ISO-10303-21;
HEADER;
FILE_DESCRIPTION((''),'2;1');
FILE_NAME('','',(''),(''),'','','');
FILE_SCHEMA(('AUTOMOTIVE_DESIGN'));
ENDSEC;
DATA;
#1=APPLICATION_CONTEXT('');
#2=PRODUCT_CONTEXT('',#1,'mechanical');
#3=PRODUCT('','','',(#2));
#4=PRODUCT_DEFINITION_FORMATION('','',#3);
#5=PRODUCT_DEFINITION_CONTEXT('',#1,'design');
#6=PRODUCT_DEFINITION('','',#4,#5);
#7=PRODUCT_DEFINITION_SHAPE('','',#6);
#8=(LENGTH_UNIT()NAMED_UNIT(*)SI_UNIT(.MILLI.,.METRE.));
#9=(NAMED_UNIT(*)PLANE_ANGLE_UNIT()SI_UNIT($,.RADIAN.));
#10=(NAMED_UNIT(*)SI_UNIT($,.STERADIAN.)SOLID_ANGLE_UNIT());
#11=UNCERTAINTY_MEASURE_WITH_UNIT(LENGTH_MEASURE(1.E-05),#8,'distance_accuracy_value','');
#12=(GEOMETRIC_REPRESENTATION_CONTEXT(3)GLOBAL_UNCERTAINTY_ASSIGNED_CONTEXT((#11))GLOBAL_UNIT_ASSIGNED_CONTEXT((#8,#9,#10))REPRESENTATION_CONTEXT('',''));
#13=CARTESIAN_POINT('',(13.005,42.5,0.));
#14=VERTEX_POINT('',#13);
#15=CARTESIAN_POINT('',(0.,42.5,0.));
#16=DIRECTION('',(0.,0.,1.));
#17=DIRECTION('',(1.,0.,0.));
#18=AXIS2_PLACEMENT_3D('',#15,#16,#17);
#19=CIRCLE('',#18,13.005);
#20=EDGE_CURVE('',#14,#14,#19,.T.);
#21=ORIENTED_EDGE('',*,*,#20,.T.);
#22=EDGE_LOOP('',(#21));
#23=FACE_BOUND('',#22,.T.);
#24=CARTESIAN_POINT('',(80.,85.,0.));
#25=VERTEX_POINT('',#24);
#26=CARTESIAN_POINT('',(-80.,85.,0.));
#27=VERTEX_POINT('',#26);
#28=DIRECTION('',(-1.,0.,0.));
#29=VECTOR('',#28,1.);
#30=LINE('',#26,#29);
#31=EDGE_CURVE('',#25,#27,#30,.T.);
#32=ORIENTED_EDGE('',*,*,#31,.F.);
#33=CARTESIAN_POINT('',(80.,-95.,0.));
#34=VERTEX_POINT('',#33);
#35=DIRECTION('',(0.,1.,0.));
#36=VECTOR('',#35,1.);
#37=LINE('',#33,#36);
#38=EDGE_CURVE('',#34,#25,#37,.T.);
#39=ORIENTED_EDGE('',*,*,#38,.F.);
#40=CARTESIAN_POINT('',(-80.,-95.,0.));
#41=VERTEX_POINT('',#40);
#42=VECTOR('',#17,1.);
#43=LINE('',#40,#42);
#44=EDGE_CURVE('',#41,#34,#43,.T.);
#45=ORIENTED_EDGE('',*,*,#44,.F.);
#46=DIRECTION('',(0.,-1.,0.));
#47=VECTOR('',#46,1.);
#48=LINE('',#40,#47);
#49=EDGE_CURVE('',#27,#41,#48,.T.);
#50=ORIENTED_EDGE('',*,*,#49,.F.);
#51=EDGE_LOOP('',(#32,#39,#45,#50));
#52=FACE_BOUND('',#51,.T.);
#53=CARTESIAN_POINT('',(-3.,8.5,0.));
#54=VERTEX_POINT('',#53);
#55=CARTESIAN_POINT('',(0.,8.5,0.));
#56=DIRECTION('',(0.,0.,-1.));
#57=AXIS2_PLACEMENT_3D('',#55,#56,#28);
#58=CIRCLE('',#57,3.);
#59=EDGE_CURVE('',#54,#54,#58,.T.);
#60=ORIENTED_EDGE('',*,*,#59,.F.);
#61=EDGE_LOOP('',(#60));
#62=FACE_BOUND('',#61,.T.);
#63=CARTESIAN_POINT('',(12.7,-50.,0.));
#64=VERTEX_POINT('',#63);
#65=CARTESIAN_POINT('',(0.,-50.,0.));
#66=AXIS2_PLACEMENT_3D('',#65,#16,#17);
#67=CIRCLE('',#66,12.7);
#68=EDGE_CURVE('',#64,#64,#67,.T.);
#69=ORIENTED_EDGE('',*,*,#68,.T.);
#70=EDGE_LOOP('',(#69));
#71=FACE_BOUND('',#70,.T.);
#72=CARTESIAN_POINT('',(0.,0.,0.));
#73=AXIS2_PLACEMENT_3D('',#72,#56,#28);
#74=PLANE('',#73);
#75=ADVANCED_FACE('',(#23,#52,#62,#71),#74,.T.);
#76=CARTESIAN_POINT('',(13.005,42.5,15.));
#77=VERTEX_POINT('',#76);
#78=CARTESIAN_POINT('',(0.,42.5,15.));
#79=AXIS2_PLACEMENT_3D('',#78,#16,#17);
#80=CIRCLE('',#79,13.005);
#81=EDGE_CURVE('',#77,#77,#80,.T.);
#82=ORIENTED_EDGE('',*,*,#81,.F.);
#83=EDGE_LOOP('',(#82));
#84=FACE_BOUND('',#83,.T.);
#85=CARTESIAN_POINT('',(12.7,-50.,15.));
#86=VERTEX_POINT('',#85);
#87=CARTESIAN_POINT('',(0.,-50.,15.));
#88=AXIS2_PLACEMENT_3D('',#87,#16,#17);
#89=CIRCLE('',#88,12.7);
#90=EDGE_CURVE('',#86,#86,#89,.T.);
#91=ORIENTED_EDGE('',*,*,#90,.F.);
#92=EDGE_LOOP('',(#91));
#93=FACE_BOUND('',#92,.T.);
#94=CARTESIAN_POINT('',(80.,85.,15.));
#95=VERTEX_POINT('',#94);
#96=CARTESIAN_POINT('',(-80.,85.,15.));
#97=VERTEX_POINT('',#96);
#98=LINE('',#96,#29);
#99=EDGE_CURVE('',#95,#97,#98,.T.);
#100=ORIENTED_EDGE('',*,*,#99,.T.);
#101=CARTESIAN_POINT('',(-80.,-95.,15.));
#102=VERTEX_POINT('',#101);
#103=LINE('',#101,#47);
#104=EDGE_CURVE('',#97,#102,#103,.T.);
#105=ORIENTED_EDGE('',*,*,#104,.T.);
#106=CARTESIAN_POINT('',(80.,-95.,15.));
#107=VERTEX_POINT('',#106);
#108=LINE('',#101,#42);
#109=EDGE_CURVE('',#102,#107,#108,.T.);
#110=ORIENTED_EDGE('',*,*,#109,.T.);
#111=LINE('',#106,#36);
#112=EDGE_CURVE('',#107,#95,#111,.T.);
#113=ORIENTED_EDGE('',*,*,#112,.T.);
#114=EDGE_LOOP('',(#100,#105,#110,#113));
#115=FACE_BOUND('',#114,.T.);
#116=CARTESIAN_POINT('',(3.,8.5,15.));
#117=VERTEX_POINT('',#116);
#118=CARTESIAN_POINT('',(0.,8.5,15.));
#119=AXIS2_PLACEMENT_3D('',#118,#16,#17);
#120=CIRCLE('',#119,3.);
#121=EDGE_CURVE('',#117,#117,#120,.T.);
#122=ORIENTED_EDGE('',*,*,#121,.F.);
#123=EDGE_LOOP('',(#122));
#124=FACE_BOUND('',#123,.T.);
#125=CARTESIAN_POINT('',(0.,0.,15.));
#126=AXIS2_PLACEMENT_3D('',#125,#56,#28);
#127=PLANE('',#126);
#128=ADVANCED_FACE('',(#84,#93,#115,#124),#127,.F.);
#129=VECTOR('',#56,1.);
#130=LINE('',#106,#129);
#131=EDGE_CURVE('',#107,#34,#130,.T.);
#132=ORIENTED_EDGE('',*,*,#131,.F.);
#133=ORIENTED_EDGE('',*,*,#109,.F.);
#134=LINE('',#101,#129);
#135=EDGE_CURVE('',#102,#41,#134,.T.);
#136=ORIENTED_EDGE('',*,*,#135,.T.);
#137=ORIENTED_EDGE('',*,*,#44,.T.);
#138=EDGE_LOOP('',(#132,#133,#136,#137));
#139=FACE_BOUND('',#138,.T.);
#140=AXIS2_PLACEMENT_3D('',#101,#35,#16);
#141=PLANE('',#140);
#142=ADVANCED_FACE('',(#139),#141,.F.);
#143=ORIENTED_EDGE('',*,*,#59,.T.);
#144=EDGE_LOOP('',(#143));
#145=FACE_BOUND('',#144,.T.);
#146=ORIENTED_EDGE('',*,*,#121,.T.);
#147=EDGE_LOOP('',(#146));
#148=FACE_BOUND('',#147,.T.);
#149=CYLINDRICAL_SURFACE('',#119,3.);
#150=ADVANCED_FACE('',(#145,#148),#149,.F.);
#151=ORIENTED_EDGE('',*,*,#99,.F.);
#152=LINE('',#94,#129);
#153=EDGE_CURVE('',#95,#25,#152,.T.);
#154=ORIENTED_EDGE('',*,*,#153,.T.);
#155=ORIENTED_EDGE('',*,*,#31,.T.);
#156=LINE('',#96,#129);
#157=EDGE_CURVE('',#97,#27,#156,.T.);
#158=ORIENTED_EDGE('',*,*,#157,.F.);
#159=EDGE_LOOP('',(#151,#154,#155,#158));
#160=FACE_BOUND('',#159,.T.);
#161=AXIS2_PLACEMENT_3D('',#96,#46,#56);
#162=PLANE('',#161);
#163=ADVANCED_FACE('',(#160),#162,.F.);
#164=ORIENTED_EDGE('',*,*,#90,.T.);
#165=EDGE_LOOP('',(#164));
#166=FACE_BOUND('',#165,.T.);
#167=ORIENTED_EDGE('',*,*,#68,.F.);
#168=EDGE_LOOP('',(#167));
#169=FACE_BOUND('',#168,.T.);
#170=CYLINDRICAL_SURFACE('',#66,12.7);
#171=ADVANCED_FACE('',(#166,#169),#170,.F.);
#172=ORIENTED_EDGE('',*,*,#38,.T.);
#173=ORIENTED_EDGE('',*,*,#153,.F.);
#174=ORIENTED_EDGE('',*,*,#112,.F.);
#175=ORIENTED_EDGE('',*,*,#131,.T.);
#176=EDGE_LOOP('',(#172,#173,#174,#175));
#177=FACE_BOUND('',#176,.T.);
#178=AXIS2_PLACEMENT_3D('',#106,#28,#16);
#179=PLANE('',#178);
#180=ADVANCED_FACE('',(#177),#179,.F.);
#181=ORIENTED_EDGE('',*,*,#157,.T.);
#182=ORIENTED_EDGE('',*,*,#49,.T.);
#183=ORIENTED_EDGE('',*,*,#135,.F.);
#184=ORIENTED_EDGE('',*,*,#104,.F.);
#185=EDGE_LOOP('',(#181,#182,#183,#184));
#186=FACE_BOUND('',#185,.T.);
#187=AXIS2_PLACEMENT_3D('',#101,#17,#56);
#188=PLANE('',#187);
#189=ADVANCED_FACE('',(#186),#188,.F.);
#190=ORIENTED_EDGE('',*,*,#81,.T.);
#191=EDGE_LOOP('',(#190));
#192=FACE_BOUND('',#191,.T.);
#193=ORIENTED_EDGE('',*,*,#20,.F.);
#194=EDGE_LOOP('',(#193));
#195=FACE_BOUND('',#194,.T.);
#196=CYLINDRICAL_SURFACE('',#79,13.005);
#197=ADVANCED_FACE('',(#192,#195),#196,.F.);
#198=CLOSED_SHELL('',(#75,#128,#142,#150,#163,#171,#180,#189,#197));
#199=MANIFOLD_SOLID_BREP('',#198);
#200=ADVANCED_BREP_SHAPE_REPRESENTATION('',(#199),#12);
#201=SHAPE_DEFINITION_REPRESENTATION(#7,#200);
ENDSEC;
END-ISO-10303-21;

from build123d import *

# Parameters (mm, degrees)
SKETCH2_W                  = 160
SKETCH2_H                  = 180
BOSS_EXTRUDE1_DEPTH        = 15
F_20_0_20_DIAMETER_HOLE1_D = 26.01
F_6_0MM_DOWEL_HOLE1_D      = 6
F_6_0MM_DOWEL_HOLE1_DEPTH  = 40
F_6_0MM_DOWEL_HOLE1_TIP    = 1.802581857
SKETCH10_R                 = 12.7
CUT_EXTRUDE1_DEPTH         = 16


with BuildPart() as part:
    # Sketch2 → Boss-Extrude1 (new body)
    with BuildSketch(Plane.XY):
        with Locations((0, -5)):
            Rectangle(SKETCH2_W, SKETCH2_H)
    extrude(amount=BOSS_EXTRUDE1_DEPTH)

    # Ø20.0 (20) Diameter Hole1 (through all)
    with Locations(Plane.XY.offset(15)):
        with Locations((0, 42.5)):
            Hole(F_20_0_20_DIAMETER_HOLE1_D / 2)

    # Ø6.0mm Dowel Hole1
    with Locations(Plane.XY.offset(15)):
        with Locations((0, 8.5)):
            Hole(F_6_0MM_DOWEL_HOLE1_D / 2, depth=F_6_0MM_DOWEL_HOLE1_DEPTH)
            with Locations((0, 0, -(F_6_0MM_DOWEL_HOLE1_DEPTH + F_6_0MM_DOWEL_HOLE1_TIP / 2))):  # 118° drill point
                Cone(0, F_6_0MM_DOWEL_HOLE1_D / 2, F_6_0MM_DOWEL_HOLE1_TIP, mode=Mode.SUBTRACT)

    # Sketch10 → Cut-Extrude1 (cut, through all)
    with BuildSketch(Plane.XY.offset(15)):
        with Locations((0, -50)):
            Circle(SKETCH10_R)
    extrude(amount=-CUT_EXTRUDE1_DEPTH, mode=Mode.SUBTRACT)


solid = part.part
